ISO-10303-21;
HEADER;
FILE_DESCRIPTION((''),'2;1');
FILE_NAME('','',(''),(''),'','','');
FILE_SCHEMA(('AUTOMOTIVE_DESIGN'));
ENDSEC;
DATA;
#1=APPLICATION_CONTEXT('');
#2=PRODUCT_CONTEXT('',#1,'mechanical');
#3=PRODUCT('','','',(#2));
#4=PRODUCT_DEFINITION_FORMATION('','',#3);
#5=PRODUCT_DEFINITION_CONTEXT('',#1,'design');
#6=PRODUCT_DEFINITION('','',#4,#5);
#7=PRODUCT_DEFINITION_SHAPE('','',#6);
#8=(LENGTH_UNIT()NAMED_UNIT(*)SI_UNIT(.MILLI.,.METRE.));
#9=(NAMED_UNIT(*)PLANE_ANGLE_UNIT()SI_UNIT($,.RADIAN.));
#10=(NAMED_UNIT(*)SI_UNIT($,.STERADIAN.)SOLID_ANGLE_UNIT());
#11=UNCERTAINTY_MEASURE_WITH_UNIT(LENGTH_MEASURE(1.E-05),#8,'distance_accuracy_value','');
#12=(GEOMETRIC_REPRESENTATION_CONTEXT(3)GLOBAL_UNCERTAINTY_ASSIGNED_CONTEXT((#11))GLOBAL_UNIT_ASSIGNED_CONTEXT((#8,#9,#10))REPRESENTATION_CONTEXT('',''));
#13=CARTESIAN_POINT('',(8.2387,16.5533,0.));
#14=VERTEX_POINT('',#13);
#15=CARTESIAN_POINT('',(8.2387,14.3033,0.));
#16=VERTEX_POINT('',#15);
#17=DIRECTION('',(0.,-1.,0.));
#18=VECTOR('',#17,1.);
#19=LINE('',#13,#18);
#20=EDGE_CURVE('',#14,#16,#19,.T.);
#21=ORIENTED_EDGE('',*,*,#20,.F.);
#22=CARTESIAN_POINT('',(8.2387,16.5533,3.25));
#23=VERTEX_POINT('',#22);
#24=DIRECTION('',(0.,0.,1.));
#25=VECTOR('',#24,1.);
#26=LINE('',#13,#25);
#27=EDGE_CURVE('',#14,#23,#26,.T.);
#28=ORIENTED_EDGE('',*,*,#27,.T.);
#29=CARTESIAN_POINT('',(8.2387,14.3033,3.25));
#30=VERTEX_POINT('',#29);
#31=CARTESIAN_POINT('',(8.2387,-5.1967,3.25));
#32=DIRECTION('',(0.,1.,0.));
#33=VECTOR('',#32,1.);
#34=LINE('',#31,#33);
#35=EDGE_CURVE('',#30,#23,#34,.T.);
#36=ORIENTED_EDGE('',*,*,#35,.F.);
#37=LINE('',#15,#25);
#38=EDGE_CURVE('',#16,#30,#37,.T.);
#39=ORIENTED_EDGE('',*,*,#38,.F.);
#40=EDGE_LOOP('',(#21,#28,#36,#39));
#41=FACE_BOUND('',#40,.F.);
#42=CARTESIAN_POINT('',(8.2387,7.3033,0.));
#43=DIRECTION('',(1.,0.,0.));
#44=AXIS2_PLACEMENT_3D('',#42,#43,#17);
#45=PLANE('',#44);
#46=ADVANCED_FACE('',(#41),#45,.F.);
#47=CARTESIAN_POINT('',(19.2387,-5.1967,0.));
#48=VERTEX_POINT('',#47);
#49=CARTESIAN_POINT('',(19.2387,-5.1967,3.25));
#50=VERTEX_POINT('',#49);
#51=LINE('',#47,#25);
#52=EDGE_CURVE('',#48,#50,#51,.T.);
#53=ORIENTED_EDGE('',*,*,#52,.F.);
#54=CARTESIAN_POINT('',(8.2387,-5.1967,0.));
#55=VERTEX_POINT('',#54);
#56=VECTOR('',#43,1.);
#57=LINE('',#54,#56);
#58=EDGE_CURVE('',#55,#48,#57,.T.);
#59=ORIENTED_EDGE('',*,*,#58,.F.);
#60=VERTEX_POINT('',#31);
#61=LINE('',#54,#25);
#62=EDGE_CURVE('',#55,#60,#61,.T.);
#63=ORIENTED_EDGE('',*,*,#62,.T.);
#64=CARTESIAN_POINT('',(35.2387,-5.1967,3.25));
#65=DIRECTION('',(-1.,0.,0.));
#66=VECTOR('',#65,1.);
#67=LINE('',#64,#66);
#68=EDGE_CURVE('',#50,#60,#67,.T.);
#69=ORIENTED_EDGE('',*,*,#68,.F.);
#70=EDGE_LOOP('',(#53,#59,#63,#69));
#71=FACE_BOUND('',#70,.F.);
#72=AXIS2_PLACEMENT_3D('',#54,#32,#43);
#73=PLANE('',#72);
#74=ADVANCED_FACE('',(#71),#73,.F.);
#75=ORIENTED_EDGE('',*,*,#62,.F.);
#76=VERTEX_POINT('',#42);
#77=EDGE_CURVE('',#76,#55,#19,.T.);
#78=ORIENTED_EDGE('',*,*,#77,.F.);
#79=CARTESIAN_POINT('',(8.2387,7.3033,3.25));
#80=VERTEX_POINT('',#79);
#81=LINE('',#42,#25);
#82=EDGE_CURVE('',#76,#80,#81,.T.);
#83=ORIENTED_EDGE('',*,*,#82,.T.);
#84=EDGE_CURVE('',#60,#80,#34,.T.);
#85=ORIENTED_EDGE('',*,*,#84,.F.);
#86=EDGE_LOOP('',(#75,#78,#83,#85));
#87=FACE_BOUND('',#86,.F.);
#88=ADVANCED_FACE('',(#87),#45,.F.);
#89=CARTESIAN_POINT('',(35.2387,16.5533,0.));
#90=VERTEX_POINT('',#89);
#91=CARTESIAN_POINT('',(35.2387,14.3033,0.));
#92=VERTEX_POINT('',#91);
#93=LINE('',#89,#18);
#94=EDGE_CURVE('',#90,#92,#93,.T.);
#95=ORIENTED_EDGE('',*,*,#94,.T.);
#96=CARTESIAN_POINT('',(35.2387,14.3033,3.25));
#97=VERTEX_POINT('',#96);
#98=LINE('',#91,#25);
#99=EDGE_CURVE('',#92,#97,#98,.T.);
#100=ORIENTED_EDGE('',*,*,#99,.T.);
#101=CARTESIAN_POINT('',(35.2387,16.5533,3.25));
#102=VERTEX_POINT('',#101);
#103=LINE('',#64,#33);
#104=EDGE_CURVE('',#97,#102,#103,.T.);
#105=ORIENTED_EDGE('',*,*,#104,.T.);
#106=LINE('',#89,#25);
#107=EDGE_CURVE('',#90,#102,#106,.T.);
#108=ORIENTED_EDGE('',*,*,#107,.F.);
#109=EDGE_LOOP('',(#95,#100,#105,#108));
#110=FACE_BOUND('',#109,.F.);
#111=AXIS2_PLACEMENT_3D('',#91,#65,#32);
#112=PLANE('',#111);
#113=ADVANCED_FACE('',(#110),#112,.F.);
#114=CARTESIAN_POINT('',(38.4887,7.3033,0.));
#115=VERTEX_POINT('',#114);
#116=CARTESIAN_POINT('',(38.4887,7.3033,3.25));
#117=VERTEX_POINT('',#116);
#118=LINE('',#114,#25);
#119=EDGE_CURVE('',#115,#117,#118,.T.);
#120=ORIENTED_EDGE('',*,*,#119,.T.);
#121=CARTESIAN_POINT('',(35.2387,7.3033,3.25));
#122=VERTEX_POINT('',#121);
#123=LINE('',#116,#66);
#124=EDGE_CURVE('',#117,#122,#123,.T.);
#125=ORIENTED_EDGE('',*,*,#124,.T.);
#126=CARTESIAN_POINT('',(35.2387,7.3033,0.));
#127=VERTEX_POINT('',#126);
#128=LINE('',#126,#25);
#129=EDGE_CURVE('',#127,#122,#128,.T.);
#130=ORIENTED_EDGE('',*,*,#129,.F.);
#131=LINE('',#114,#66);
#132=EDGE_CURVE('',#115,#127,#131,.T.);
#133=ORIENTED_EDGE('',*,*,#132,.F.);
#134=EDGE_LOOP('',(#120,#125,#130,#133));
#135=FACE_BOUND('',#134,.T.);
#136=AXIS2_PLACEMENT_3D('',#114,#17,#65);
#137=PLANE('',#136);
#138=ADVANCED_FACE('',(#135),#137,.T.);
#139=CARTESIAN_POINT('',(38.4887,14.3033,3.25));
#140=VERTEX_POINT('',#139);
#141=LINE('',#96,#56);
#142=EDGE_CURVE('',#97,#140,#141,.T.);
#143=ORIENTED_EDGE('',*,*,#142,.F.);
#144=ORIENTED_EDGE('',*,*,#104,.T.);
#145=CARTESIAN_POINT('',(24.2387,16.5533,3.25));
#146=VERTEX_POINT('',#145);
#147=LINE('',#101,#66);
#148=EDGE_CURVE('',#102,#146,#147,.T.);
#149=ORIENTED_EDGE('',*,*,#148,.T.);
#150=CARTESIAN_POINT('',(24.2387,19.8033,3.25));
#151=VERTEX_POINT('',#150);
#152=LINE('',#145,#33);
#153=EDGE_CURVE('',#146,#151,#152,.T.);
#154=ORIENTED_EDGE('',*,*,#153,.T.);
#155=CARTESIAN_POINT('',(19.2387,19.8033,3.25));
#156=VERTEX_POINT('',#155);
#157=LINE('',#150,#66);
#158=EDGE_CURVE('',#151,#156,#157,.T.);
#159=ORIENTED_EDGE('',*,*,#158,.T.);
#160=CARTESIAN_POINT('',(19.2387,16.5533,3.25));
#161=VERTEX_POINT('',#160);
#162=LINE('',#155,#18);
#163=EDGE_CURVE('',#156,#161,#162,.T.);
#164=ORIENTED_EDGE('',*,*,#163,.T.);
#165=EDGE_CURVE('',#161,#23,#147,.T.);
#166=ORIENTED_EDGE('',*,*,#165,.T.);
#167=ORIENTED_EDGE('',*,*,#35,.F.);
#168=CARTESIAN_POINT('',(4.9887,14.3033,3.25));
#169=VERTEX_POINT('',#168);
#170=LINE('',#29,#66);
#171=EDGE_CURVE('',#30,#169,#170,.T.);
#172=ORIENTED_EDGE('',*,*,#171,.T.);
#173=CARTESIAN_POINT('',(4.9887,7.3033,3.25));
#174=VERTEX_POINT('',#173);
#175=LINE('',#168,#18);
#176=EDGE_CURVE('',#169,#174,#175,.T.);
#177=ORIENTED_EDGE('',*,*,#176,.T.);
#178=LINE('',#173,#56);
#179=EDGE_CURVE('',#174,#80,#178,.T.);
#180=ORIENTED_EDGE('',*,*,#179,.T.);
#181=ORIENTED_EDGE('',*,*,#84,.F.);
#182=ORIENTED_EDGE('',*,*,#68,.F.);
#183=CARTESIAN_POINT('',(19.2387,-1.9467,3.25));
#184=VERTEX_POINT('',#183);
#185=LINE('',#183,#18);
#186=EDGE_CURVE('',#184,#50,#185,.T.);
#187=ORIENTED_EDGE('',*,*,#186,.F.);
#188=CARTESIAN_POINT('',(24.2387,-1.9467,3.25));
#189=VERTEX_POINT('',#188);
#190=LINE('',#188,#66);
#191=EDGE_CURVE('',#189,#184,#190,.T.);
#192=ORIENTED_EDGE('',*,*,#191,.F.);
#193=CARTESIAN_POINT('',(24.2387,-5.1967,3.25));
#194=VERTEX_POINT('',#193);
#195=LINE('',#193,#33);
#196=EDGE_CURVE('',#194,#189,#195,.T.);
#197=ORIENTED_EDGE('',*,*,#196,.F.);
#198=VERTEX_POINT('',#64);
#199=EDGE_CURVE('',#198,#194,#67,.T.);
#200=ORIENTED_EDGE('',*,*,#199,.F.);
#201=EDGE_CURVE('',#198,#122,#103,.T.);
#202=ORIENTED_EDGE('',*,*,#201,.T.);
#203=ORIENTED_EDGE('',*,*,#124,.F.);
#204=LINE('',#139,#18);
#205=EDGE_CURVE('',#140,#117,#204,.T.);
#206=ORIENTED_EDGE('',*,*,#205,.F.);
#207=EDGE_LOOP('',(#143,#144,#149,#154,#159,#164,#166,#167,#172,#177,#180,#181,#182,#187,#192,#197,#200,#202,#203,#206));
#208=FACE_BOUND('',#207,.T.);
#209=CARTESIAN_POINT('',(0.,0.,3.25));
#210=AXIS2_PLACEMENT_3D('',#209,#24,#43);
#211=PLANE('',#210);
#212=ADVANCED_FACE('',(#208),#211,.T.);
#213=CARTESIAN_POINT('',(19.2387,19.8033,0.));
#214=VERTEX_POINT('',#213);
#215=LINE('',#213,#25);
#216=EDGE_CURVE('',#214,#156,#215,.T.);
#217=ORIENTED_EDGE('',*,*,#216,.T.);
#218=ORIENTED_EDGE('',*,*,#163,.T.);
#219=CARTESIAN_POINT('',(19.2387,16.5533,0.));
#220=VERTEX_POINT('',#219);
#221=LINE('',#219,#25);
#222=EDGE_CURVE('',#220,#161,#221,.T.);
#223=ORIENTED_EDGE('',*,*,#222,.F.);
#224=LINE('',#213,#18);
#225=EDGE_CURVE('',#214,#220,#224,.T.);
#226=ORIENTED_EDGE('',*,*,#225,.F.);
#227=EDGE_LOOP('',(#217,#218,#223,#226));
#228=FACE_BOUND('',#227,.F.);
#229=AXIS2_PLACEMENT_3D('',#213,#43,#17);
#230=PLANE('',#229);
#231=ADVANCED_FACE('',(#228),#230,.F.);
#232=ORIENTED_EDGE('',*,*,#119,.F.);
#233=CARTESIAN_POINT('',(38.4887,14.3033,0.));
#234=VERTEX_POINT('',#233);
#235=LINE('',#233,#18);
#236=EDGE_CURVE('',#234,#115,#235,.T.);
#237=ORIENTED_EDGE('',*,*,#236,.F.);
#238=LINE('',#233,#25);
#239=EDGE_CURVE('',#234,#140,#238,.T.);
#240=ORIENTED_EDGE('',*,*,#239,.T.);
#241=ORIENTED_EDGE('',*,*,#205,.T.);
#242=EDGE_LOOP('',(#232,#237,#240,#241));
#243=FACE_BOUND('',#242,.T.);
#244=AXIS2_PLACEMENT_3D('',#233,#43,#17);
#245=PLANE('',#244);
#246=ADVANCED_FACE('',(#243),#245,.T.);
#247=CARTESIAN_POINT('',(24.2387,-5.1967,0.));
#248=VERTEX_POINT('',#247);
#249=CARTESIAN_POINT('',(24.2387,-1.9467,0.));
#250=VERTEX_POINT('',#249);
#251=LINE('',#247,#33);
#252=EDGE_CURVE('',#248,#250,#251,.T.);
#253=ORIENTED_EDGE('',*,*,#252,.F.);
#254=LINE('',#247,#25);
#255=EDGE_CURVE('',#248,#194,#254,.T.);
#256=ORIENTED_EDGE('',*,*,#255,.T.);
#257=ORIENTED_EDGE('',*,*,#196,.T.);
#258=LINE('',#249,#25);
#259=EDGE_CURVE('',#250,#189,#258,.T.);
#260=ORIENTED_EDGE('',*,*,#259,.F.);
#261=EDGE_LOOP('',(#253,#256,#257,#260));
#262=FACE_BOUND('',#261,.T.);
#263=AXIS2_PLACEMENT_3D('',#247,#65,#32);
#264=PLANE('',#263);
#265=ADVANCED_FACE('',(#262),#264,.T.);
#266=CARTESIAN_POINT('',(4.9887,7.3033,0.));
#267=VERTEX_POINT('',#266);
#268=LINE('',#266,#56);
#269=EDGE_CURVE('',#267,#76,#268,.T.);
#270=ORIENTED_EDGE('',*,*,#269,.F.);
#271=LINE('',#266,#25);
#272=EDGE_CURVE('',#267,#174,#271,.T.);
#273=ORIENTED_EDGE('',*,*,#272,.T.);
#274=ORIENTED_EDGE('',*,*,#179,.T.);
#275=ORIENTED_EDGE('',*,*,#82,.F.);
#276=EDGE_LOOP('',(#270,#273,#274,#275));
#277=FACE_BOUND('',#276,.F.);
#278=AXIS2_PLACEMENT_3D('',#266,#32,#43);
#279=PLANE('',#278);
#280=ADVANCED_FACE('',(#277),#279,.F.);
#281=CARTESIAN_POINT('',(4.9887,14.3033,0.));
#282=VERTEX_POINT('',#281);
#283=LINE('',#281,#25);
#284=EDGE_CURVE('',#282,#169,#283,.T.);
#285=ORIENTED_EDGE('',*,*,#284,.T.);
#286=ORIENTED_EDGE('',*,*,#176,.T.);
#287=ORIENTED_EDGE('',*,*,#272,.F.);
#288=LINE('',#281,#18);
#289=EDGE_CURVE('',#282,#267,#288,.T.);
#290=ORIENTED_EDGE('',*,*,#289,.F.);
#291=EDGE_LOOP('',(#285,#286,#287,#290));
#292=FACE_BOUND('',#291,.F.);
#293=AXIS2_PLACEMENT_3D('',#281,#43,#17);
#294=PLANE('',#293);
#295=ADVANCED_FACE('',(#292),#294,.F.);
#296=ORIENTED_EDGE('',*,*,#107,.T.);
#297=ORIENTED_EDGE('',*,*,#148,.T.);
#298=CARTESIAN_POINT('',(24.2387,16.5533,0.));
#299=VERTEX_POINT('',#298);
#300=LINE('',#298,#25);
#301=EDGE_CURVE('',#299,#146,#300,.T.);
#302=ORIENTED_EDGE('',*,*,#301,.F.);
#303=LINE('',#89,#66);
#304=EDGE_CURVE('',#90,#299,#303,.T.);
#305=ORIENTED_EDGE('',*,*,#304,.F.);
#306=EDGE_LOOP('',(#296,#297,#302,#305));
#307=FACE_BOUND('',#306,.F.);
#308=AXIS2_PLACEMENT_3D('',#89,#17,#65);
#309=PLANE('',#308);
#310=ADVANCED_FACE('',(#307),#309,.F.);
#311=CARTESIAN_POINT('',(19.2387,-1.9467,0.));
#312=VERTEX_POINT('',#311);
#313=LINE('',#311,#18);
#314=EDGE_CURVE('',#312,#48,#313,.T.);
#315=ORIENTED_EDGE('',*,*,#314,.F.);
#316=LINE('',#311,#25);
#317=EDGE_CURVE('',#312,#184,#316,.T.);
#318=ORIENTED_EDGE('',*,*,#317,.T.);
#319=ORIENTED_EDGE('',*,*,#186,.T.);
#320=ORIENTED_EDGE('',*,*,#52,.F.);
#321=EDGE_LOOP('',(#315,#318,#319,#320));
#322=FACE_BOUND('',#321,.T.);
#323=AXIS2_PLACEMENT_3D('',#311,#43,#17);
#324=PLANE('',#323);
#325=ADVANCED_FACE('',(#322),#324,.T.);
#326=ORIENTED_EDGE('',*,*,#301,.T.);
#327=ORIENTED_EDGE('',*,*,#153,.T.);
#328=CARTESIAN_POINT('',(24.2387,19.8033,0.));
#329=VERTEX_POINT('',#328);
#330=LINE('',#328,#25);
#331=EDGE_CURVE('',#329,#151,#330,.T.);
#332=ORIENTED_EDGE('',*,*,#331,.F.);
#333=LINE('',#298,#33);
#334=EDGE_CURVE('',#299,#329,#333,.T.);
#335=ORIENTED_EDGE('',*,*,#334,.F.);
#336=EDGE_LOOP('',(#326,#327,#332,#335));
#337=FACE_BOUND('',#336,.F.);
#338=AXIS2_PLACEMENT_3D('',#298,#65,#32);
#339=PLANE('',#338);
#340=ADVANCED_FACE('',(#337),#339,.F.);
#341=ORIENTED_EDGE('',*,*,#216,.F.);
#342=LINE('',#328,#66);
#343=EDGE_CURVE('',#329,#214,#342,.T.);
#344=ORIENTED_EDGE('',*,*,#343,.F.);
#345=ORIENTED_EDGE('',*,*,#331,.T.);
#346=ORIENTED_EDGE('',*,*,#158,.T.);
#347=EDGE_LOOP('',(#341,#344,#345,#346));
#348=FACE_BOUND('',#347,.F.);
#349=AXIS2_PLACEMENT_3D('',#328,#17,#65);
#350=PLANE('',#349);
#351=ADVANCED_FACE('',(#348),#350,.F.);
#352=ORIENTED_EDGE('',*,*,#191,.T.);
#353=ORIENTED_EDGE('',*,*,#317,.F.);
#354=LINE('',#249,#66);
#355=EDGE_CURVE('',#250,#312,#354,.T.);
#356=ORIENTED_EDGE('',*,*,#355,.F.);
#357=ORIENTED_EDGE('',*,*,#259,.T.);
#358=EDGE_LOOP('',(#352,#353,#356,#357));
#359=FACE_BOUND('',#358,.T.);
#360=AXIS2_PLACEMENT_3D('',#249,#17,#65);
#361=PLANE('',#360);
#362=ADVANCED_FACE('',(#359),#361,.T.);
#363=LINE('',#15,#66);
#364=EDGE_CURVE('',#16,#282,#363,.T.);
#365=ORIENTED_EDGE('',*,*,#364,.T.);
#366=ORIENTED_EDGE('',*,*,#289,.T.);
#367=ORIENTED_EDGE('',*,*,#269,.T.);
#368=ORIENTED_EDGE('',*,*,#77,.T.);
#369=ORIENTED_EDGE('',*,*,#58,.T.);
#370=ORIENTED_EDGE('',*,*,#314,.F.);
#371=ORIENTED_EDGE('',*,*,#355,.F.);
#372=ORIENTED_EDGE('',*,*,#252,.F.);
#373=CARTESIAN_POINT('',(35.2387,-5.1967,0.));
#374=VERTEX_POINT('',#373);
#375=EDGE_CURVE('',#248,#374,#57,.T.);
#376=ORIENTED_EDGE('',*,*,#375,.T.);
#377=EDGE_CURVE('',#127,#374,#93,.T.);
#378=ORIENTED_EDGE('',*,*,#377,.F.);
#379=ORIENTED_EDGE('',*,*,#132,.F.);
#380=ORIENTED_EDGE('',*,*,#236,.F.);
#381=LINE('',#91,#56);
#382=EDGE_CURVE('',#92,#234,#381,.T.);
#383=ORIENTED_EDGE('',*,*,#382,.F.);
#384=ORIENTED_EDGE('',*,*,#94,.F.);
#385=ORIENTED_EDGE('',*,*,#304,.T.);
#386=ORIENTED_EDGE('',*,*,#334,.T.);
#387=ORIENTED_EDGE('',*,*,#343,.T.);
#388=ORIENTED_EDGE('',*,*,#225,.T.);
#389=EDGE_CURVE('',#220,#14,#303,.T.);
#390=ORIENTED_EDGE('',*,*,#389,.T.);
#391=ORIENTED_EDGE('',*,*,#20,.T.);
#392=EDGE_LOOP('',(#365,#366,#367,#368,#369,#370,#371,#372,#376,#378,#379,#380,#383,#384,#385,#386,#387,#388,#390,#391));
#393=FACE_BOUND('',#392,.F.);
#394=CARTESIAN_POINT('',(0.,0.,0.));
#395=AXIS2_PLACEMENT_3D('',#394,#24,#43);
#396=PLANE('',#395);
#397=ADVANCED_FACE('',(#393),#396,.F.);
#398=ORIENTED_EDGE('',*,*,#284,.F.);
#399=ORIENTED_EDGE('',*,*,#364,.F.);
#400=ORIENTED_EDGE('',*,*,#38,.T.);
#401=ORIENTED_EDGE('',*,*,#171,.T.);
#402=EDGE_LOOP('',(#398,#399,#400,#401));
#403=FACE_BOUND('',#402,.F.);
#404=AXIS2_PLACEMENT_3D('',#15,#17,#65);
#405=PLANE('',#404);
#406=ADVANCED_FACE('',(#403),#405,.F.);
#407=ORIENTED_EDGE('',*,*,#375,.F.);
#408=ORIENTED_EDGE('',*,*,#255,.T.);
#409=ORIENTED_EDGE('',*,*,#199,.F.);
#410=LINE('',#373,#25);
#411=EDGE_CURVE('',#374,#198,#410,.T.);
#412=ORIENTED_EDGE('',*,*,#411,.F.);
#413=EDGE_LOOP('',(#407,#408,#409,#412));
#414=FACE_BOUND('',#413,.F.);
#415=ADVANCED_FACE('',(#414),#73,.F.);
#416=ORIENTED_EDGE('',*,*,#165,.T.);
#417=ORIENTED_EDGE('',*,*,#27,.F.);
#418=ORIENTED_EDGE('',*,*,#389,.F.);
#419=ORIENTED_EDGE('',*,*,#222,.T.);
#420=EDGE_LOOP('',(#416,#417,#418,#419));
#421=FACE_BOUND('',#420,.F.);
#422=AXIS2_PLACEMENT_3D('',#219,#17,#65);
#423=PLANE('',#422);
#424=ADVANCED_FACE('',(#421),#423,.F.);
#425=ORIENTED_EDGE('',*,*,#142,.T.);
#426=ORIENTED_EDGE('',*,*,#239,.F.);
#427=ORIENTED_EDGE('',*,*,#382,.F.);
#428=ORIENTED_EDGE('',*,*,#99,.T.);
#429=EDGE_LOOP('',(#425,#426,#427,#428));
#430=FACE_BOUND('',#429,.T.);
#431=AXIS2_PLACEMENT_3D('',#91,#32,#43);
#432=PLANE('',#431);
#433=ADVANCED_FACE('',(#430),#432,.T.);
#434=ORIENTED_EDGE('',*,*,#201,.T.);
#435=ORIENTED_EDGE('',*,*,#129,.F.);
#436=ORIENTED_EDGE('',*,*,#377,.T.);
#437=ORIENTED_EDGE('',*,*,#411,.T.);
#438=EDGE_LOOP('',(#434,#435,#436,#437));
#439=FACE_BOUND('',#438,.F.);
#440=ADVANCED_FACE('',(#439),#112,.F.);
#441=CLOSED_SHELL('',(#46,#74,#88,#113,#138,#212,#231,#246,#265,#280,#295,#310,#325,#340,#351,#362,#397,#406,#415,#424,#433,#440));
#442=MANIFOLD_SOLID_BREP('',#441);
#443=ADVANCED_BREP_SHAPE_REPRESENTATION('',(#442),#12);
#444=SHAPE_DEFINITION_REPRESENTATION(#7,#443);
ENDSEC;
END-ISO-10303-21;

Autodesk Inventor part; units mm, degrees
ref_plane "YZ Plane" through (0, 0, 0) normal (1, 0, 0) x (0, 1, 0)
ref_plane "XZ Plane" through (0, 0, 0) normal (0, 1, 0) x (-1, 0, 0)
ref_plane "XY Plane" through (0, 0, 0) normal (0, 0, 1) x (1, 0, 0)
sketch "Block1" plane through (0, 0, 0) normal (0, 0, 1) x (1, 0, 0)
  circle A0 centre (74.029, 24.2723) radius 1
  line L0 (49.279, 30.4723) -> (71.779, 30.4723)
  line L1 (71.779, 30.4723) -> (71.779, 18.0723)
  line L2 (71.779, 18.0723) -> (49.279, 18.0723)
  line L3 (49.279, 18.0723) -> (49.279, 30.4723)
  line L4 (49.279, 30.4723) -> (44.779, 30.4723)
  line L5 (44.779, 30.4723) -> (44.779, 18.0723)
  line L6 (44.779, 18.0723) -> (49.279, 18.0723)
  line L7 (49.279, 18.0723) -> (49.279, 30.4723)
  line L8 (71.779, 30.4723) -> (76.279, 30.4723)
  line L9 (76.279, 30.4723) -> (76.279, 18.0723)
  line L10 (76.279, 18.0723) -> (71.779, 18.0723)
  line L11 (71.779, 18.0723) -> (71.779, 30.4723)
  line L12 (44.779, 24.2723) -> (76.279, 24.2723) construction
  line L13 (47.029, 30.4723) -> (47.029, 18.0723) construction
  circle A1 centre (47.029, 24.2723) radius 1
  line L14 (74.029, 30.4723) -> (74.029, 18.0723) construction
  point P0 (60.979, 24.0984)
  dimension "d7" = 22.5
  dimension "d8" = 12.4
  dimension "d9" = 4.5
  dimension "d10" = 4.5
  dimension "d11" = 2
  dimension "d12" = 2
sketch "Sketch1" plane through (0, 0, 0) normal (0, 0, 1) x (1, 0, 0)
  line L0 (-92.7646, -8.503) -> (-89.7646, -8.503)
  line L1 (-89.7646, -8.503) -> (-89.7646, -11.753)
  line L2 (-89.7646, -11.753) -> (-92.7646, -11.753)
  line L3 (-92.7646, -11.753) -> (-92.7646, -8.503)
  line L4 (-92.7646, -21.6527) -> (-89.7646, -21.6527)
  line L5 (-89.7646, -21.6527) -> (-89.7646, -21.7527)
  line L6 (-89.7646, -21.7527) -> (-92.7646, -21.7527)
  line L7 (-92.7646, -21.7527) -> (-92.7646, -21.6527)
  line L8 (8.2387, -5.1967) -> (35.2387, -5.1967)
  line L9 (35.2387, -5.1967) -> (35.2387, 16.5533)
  line L10 (35.2387, 16.5533) -> (8.2387, 16.5533)
  line L11 (8.2387, 16.5533) -> (8.2387, -5.1967)
  line L12 (8.2387, 5.6783) -> (35.2387, 5.6783) construction
  line L13 (21.7387, 16.5533) -> (21.7387, -5.1967) construction
  line L14 (19.2387, 16.5533) -> (24.2387, 16.5533)
  line L15 (24.2387, 16.5533) -> (24.2387, 19.8033)
  line L16 (24.2387, 19.8033) -> (19.2387, 19.8033)
  line L17 (19.2387, 19.8033) -> (19.2387, 16.5533)
  line L18 (21.7387, 19.8033) -> (21.7387, 16.5533) construction
  line L19 (8.2387, 14.3033) -> (4.9887, 14.3033)
  line L20 (4.9887, 14.3033) -> (4.9887, 7.3033)
  line L21 (4.9887, 7.3033) -> (8.2387, 7.3033)
  line L22 (8.2387, 7.3033) -> (8.2387, 14.3033)
  line L23 (19.2387, -5.1967) -> (24.2387, -5.1967)
  line L24 (24.2387, -5.1967) -> (24.2387, -1.9467)
  line L25 (24.2387, -1.9467) -> (19.2387, -1.9467)
  line L26 (19.2387, -1.9467) -> (19.2387, -5.1967)
  line L27 (21.7387, -1.9467) -> (21.7387, -5.1967) construction
  line L28 (35.2387, 14.3033) -> (38.4887, 14.3033)
  line L29 (38.4887, 14.3033) -> (38.4887, 7.3033)
  line L30 (38.4887, 7.3033) -> (35.2387, 7.3033)
  line L31 (35.2387, 7.3033) -> (35.2387, 14.3033)
  point P0 (0, 0)
  dimension "d0" = 3
  dimension "mat" = 3.25
  dimension "d2" = 3
  dimension "d3" = 0.1
  dimension "d58" = 27
  dimension "d59" = 21.75
  dimension "d60" = 5
  dimension "d61" = 3.25
  dimension "d64" = 3.25
  dimension "d65" = 7
  dimension "d66" = 5
  dimension "d67" = 3.25
  dimension "d70" = 2.25
  dimension "d75" = 27
extrude "Extrusion5" add sketch "Sketch1" along normal blind 3.25 contours L11 L10 L9 L8 L24 L25 L26 | L26 L25 L24 L8 | L17 L16 L15 L10
extrude "Extrusion6" cut sketch "Sketch1" along normal blind 3.25 contours L26 L25 L24 L8
extrude "Extrusion7" add sketch "Sketch1" along normal blind 3.25 contours L21 L20 L19 L11
extrude "Extrusion8" add sketch "Sketch1" along normal blind 3.25 contours L9 L28 L29 L30
equation "\"d61\" = mat"
equation "\"d64\" = mat"
equation "\"d67\" = mat"
equation "\"d62\" = mat"
equation "\"d68\" = mat"
equation "\"d71\" = mat"
equation "\"d73\" = mat"
properties part number "arm-servo"
